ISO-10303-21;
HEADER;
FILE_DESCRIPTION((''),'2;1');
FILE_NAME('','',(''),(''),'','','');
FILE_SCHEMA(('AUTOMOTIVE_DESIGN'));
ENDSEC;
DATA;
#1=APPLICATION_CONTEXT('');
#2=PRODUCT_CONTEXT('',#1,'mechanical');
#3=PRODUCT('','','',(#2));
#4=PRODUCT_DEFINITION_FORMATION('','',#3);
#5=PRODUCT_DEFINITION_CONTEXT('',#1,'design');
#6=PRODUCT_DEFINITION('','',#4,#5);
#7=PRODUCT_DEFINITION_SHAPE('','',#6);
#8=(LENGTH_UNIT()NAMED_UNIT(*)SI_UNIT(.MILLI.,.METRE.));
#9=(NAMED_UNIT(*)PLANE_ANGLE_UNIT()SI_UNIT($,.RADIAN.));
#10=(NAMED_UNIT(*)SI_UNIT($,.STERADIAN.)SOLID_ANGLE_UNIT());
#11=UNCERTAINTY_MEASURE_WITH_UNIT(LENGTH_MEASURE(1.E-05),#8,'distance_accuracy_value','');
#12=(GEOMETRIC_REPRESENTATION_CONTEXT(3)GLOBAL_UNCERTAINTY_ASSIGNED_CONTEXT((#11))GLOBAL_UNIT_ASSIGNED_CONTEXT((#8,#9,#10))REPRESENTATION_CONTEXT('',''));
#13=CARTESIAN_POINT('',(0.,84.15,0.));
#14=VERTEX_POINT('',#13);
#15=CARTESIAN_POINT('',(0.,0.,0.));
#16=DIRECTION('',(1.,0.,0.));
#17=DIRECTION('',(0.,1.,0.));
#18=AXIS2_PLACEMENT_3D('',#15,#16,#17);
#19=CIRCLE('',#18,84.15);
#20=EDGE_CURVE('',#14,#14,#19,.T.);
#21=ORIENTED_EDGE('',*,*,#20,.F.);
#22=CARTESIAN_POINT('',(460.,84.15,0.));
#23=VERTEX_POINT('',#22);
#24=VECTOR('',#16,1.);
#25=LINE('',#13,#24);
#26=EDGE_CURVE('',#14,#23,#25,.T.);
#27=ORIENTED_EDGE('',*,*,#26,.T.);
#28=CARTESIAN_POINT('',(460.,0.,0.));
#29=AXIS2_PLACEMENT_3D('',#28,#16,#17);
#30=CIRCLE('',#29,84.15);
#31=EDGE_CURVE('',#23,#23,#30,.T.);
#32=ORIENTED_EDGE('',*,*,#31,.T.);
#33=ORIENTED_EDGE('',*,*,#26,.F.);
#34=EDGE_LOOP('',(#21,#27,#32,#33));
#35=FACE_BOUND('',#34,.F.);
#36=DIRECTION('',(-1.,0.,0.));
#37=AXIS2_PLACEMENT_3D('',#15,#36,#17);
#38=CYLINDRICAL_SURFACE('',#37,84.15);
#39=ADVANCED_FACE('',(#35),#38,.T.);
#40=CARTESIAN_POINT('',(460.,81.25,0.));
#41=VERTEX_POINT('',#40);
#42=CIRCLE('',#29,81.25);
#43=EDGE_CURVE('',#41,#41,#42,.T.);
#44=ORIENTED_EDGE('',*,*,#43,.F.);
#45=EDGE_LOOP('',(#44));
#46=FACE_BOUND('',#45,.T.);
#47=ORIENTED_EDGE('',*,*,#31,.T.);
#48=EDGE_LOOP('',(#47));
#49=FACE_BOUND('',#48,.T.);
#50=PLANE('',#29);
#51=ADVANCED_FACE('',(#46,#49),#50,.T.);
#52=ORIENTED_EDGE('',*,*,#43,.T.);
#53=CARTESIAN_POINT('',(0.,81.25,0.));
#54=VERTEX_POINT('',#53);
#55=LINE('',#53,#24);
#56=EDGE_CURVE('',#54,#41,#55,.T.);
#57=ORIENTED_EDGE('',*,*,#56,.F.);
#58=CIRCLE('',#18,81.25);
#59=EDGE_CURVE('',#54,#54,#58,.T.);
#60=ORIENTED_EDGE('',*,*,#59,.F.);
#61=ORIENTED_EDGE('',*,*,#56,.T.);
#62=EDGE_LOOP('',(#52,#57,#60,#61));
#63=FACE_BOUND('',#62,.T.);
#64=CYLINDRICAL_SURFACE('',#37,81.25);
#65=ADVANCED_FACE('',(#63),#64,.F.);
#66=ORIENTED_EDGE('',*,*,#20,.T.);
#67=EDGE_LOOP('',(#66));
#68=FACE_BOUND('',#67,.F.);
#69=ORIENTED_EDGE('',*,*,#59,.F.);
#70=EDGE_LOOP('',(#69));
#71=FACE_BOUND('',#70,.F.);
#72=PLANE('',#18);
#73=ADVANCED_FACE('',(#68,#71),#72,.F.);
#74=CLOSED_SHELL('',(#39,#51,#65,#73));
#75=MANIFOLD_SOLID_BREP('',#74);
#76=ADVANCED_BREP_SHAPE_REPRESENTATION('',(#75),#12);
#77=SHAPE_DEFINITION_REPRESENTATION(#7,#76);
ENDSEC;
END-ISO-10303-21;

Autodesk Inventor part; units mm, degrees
ref_plane "YZ Plane" through (0, 0, 0) normal (1, 0, 0) x (0, 1, 0)
ref_plane "XZ Plane" through (0, 0, 0) normal (0, 1, 0) x (-1, 0, 0)
ref_plane "XY Plane" through (0, 0, 0) normal (0, 0, 1) x (1, 0, 0)
sketch "Sketch1" plane through (0, 0, 0) normal (1, 0, 0) x (0, 1, 0)
  circle A0 centre (0, 0) radius 84.15
  circle A1 centre (0, 0) radius 81.25
  dimension "d0" = 168.3
  dimension "d1" = 2.9
extrude "Extrusion1" add sketch "Sketch1" along normal blind 460
equation "\"d0\" = OD"
equation "\"d1\" = t"
equation "\"d2\" = L"
equation "\"OD\" = 168.3"
equation "\"t\" = 2.9"
equation "\"L\" = PL"
equation "\"ID\" = 162.5"
equation "\"PL\" = 460"
equation "\"Size_Designation\" = 1.2345"
properties material "Steel"
